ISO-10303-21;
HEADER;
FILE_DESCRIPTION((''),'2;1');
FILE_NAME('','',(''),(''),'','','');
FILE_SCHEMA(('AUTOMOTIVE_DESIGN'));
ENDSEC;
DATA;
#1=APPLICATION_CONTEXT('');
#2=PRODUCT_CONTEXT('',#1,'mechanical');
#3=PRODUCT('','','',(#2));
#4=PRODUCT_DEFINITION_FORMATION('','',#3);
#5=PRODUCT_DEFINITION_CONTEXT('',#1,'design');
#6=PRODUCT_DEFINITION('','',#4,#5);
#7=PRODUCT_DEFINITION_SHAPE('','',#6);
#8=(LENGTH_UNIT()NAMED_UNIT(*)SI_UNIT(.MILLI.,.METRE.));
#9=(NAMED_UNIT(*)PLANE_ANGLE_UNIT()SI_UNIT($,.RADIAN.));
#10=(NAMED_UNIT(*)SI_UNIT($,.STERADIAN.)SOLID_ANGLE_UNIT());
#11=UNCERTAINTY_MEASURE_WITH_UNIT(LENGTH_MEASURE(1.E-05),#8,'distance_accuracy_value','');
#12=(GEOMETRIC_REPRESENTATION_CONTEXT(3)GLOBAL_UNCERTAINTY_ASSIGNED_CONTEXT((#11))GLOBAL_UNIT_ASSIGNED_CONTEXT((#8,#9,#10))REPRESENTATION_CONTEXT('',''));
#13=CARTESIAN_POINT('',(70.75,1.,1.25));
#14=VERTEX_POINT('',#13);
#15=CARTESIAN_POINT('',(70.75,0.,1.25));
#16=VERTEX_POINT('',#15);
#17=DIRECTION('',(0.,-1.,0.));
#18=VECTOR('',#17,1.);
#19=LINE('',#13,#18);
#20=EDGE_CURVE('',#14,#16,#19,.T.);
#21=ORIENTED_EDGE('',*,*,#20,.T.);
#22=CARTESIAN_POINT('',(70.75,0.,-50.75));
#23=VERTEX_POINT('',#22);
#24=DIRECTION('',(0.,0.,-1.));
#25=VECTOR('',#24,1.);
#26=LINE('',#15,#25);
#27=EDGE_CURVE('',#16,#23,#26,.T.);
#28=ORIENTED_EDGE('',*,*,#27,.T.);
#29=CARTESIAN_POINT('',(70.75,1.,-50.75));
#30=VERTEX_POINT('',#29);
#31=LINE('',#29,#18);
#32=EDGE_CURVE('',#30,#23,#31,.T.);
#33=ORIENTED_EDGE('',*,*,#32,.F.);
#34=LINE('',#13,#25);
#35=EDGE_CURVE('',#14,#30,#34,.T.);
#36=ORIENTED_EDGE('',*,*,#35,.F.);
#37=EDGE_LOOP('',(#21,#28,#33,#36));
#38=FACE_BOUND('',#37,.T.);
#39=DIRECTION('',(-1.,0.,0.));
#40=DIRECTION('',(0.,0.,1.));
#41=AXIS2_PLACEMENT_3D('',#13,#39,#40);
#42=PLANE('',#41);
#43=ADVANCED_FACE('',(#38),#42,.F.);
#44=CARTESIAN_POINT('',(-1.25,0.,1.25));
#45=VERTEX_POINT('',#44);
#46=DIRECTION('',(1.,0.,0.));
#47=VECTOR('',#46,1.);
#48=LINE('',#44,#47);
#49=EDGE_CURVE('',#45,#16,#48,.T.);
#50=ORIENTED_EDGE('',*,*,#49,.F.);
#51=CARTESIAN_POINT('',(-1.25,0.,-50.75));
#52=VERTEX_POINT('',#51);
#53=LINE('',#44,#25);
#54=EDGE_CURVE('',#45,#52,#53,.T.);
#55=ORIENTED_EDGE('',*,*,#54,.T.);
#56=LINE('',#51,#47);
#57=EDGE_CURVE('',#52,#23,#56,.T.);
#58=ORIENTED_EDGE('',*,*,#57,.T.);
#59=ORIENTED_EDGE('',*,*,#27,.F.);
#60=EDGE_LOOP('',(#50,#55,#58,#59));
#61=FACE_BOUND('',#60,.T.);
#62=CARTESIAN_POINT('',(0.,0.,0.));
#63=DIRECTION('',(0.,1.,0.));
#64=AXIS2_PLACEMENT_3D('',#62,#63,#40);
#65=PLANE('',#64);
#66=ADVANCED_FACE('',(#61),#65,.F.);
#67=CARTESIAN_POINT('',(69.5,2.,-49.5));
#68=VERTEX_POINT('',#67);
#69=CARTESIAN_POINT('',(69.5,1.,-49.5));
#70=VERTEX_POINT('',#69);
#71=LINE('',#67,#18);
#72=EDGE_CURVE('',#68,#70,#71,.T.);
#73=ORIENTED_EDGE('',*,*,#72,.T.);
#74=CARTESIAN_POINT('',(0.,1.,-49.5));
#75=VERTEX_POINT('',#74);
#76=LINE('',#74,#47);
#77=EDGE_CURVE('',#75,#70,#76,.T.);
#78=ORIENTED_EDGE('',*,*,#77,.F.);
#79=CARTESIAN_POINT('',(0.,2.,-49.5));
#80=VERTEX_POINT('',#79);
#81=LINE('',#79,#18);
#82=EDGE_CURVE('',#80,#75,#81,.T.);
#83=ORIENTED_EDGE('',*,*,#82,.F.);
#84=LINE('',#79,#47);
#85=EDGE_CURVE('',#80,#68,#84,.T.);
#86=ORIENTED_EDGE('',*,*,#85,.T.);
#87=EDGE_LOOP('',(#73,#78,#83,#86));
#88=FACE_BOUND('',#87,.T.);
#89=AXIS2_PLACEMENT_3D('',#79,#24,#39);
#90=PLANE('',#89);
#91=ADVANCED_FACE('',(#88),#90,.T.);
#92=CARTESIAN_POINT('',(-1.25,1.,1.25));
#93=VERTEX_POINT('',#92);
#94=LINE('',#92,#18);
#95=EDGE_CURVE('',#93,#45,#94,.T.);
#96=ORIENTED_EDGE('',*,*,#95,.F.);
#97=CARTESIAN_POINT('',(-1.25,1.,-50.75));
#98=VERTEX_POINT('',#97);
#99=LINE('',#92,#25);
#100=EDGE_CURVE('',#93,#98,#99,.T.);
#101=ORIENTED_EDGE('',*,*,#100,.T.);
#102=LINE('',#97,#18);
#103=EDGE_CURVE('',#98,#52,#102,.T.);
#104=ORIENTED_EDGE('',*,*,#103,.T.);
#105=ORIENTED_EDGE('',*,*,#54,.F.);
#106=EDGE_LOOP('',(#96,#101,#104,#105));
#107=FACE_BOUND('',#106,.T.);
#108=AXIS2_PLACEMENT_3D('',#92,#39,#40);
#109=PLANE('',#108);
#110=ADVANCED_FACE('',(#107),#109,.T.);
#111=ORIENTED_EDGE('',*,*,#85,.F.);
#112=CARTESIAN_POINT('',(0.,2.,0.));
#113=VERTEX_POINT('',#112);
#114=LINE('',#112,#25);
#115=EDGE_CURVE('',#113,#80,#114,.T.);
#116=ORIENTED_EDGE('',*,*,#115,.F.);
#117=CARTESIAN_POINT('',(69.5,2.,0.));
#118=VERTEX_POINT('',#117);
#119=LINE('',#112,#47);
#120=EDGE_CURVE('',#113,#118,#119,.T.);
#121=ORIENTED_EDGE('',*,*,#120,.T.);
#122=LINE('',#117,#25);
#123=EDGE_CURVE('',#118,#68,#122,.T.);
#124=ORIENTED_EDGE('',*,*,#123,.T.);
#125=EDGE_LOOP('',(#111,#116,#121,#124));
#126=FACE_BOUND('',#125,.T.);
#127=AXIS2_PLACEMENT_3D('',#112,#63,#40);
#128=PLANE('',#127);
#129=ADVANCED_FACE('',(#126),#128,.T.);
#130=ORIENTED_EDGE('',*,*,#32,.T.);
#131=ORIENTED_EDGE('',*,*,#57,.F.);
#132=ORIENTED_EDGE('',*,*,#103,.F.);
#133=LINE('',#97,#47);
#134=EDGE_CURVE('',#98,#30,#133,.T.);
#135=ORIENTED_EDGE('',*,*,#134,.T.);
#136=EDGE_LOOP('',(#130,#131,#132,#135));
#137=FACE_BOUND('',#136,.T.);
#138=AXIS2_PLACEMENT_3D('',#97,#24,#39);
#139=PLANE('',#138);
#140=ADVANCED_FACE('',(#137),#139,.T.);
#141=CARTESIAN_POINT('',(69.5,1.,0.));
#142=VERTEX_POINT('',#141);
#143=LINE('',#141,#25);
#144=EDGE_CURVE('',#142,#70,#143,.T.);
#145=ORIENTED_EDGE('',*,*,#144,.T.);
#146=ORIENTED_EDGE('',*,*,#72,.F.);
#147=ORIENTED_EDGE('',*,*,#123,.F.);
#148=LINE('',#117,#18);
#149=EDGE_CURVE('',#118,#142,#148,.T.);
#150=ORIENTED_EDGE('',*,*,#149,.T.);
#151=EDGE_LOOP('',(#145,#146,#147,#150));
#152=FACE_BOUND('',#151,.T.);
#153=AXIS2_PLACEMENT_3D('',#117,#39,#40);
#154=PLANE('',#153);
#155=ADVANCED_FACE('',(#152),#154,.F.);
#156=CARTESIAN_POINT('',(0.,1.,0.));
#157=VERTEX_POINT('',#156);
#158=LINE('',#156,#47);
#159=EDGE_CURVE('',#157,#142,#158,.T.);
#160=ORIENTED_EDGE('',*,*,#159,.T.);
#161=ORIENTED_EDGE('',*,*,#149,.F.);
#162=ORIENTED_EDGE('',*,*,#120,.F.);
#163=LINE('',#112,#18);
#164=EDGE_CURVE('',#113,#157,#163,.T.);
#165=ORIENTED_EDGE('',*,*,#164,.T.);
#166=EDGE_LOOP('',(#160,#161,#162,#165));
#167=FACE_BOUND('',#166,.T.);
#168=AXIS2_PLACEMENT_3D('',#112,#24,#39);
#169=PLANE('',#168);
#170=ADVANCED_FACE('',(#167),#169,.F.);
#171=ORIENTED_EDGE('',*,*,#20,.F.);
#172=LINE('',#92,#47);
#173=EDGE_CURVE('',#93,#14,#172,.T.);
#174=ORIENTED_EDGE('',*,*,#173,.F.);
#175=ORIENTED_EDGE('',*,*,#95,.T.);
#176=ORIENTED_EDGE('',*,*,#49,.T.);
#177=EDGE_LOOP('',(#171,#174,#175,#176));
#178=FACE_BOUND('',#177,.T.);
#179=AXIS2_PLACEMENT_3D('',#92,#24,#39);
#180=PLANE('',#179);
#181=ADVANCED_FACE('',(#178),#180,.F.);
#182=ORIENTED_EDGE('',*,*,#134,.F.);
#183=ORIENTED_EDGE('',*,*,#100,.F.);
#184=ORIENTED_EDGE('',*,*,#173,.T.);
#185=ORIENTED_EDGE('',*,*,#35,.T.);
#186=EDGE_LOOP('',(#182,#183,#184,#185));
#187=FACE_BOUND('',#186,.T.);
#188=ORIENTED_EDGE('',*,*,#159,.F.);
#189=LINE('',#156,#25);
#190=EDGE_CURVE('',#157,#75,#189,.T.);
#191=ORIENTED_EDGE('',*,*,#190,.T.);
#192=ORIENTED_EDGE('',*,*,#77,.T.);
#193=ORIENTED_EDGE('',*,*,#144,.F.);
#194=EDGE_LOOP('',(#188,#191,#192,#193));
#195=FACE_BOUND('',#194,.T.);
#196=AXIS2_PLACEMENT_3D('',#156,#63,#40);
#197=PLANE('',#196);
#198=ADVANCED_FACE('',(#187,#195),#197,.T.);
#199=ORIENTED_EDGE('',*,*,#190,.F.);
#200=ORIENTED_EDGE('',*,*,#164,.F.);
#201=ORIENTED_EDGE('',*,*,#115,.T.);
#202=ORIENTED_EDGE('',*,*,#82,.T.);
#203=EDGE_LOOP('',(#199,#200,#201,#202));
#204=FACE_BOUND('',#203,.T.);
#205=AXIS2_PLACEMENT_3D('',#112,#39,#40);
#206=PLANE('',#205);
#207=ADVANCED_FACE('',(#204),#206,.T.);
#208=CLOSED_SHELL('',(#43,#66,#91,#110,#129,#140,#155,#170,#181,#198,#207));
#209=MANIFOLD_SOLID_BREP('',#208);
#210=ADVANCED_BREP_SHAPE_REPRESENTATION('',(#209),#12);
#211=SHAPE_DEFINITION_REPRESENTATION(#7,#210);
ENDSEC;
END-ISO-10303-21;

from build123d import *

# Parameters (mm, degrees)
CROQUIS1_W              = 72
CROQUIS1_H              = 52
CROQUIS1_W_2            = 69.5
CROQUIS1_H_2            = 49.5
SALIENTE_EXTRUIR1_DEPTH = 1
CROQUIS1_5_W            = 69.5
CROQUIS1_5_H            = 49.5
SALIENTE_EXTRUIR3_DEPTH = 2


with BuildPart() as part:
    # Croquis1 → Saliente-Extruir1 (new body)
    with BuildSketch(Plane(origin=(0, 0, 0), x_dir=(1, 0, 0), z_dir=(0, 1, 0))):
        with Locations((34.75, 24.75)):
            Rectangle(CROQUIS1_W, CROQUIS1_H)
        with Locations((34.75, 24.75)):
            Rectangle(CROQUIS1_W_2, CROQUIS1_H_2, mode=Mode.SUBTRACT)
    extrude(amount=SALIENTE_EXTRUIR1_DEPTH)

    # Croquis1<5> → Saliente-Extruir3 (add)
    with BuildSketch(Plane(origin=(0, 0, 0), x_dir=(1, 0, 0), z_dir=(0, 1, 0))):
        with Locations((34.75, 24.75)):
            Rectangle(CROQUIS1_5_W, CROQUIS1_5_H)
    extrude(amount=SALIENTE_EXTRUIR3_DEPTH)


solid = part.part
